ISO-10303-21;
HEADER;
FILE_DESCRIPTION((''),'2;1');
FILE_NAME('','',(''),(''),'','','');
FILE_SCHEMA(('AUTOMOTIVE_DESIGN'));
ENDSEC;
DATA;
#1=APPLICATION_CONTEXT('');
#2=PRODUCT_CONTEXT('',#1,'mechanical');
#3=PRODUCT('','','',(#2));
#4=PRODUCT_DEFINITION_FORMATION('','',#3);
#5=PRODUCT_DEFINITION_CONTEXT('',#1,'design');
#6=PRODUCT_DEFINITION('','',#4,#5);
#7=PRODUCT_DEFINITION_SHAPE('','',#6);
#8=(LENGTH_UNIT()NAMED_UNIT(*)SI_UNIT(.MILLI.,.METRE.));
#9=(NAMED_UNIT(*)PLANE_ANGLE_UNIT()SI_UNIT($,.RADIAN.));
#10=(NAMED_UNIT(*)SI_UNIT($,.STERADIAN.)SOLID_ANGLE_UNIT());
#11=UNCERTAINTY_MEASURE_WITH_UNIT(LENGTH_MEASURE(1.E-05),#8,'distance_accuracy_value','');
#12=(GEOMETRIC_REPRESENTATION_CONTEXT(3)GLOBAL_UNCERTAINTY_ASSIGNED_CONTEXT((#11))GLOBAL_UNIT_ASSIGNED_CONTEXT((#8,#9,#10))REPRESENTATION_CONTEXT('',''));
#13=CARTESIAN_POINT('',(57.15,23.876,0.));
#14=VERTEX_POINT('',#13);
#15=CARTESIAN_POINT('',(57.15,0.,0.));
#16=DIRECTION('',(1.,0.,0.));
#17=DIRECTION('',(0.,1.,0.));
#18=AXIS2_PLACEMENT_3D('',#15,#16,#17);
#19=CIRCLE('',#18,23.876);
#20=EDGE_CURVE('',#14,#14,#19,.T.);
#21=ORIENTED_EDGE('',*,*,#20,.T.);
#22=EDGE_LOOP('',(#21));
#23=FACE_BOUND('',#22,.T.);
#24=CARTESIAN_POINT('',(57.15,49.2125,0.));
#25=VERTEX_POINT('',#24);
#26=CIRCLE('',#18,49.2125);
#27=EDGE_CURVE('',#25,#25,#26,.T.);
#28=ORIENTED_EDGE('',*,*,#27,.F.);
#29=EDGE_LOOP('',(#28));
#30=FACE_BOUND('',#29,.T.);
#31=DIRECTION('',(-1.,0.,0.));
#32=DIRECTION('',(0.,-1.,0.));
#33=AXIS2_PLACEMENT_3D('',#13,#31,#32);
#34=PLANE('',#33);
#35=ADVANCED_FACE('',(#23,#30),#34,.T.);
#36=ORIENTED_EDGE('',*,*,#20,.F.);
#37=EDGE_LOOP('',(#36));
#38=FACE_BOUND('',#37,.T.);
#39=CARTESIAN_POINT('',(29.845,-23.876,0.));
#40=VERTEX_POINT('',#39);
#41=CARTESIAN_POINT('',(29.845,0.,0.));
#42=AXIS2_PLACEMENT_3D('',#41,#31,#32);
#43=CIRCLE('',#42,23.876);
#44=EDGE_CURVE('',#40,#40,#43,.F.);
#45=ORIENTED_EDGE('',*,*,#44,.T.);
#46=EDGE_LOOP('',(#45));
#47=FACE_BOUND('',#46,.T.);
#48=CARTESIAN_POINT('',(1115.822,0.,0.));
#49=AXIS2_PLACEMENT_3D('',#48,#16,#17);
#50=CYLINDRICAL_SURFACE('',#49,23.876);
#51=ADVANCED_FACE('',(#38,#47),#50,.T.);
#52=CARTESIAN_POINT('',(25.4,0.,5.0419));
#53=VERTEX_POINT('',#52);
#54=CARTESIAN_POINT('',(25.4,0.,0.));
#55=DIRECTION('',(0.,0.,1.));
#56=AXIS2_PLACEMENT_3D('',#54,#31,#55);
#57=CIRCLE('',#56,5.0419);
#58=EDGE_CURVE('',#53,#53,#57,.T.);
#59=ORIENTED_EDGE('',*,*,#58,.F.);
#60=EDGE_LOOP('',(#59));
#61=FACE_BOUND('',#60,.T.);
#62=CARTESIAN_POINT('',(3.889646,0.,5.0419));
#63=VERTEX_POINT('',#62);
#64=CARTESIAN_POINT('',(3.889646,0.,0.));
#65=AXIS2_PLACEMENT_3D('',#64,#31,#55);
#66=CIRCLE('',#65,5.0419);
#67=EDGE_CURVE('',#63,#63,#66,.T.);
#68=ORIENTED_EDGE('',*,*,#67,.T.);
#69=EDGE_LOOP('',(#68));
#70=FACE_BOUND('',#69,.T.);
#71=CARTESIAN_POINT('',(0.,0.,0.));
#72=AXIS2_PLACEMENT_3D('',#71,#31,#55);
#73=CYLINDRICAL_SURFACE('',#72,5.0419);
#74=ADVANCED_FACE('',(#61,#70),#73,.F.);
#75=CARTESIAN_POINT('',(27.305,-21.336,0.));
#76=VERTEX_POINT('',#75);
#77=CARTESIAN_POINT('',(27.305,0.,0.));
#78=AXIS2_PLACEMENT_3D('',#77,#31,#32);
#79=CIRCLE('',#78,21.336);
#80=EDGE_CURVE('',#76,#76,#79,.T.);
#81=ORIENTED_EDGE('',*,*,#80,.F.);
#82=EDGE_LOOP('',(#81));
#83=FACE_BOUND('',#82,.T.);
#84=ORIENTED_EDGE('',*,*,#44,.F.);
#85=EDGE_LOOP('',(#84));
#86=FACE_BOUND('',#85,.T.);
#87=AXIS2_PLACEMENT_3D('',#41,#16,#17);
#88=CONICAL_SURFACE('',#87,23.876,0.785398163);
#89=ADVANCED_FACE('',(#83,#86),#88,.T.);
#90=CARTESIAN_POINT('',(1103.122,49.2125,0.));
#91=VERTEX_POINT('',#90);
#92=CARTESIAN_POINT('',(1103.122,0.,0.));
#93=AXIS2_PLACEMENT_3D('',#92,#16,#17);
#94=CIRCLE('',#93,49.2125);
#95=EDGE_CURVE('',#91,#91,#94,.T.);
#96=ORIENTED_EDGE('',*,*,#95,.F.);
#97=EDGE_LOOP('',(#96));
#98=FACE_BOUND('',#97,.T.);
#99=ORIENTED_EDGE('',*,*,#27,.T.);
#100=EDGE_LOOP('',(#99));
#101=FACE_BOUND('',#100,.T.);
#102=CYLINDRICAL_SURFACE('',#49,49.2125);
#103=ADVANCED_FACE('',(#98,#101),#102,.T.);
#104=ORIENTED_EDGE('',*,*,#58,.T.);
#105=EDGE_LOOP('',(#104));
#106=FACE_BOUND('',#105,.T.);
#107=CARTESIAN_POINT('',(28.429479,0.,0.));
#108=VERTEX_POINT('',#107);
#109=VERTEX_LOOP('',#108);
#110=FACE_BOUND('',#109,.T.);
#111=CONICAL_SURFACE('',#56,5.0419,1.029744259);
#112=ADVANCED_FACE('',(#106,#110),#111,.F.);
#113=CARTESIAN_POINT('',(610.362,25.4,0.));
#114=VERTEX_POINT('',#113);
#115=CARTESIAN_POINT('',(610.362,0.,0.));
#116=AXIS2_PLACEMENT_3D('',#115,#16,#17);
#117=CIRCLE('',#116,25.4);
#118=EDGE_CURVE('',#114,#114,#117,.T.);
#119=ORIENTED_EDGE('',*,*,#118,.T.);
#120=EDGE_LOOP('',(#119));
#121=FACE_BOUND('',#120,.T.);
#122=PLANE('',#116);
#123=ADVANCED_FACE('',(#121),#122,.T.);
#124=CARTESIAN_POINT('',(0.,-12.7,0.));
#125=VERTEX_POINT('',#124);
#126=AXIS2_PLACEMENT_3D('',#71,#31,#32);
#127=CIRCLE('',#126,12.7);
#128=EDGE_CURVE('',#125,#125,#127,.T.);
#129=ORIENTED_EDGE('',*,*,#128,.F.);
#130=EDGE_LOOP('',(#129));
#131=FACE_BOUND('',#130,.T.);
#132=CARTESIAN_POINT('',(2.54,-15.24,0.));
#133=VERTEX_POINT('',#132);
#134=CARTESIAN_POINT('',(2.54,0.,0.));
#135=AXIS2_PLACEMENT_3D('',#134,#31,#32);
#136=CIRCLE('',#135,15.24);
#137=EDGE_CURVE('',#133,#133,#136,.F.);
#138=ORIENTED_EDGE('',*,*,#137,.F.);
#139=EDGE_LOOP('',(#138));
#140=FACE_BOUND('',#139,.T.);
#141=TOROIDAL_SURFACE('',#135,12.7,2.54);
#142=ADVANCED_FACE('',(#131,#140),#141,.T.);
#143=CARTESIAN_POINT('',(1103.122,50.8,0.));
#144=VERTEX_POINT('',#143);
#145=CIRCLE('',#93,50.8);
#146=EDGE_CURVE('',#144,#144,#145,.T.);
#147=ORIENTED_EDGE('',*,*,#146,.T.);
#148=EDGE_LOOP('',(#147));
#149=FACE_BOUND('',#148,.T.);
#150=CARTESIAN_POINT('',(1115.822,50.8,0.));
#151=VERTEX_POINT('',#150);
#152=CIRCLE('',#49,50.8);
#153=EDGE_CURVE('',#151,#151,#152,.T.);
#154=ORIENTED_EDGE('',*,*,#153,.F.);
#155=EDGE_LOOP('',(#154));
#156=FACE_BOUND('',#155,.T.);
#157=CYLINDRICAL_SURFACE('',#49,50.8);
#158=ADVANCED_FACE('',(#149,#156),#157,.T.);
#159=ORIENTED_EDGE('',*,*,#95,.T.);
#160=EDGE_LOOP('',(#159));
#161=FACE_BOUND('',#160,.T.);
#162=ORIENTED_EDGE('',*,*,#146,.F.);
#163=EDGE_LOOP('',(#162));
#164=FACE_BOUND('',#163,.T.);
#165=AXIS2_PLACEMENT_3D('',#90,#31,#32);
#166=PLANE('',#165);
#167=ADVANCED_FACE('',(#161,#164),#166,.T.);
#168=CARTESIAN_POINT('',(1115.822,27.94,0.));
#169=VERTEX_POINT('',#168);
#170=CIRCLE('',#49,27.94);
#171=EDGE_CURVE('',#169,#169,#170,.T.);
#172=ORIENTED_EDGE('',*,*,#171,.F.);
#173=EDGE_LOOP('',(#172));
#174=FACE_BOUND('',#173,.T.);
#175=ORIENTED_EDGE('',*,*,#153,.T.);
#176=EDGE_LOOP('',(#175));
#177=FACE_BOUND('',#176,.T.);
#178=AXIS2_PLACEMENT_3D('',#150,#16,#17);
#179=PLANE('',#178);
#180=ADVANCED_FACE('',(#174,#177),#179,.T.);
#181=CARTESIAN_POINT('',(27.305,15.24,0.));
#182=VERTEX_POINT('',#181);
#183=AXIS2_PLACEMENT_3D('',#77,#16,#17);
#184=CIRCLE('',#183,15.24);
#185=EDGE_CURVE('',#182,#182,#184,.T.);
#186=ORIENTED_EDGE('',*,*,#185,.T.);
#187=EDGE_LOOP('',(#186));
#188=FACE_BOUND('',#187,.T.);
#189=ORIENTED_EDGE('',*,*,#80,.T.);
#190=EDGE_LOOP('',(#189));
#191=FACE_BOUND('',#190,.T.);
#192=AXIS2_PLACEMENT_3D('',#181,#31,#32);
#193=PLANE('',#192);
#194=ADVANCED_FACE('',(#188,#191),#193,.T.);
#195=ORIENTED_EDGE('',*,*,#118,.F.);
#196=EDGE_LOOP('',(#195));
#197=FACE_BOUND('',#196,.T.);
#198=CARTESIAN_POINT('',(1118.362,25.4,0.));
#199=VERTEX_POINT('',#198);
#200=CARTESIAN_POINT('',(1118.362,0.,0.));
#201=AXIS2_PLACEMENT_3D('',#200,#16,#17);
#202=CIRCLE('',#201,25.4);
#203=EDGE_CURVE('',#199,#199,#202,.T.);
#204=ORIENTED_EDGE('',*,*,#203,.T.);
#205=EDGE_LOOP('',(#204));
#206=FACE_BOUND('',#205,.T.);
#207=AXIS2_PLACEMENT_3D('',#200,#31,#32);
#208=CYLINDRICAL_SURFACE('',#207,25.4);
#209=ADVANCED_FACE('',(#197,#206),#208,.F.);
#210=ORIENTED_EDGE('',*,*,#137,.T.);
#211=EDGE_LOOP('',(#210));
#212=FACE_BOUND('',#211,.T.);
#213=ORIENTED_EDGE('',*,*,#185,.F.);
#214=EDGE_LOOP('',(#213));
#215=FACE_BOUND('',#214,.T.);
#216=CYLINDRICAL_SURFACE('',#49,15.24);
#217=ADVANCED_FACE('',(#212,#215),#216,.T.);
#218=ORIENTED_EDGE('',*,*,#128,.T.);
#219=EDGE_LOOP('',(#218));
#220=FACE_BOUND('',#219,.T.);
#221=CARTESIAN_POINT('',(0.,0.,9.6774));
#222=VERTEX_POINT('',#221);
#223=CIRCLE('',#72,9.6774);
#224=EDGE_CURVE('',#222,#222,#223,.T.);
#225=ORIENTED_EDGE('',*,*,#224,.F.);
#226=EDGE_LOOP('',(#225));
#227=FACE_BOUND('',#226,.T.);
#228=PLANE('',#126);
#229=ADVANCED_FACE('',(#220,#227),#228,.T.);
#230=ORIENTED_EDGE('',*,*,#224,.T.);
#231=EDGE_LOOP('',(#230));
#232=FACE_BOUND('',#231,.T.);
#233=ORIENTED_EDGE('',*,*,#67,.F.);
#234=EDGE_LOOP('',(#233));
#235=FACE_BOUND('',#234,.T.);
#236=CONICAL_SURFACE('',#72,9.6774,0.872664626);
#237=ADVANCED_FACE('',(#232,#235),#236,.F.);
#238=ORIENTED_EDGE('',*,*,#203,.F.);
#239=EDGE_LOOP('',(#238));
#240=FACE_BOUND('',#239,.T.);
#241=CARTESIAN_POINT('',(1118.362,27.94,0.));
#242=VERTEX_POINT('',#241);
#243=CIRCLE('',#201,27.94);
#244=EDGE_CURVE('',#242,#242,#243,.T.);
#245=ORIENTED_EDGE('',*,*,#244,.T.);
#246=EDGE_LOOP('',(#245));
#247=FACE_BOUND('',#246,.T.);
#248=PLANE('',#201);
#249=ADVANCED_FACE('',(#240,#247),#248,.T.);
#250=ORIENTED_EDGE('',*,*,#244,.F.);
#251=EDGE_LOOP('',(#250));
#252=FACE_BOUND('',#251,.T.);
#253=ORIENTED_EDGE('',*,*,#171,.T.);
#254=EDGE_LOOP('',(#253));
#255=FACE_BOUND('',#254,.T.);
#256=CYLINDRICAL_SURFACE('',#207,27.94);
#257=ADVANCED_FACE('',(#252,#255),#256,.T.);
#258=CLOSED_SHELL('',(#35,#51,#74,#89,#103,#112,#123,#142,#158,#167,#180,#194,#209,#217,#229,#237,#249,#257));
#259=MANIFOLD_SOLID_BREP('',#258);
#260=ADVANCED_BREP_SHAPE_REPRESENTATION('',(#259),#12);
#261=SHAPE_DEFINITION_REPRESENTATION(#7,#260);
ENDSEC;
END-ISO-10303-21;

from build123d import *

# Parameters (mm, degrees)
CSK_FOR_3_8_FLAT_HEAD_MACHINE_SCREW_100_D           = 10.0838
CSK_FOR_3_8_FLAT_HEAD_MACHINE_SCREW_100_DEPTH       = 25.4
CSK_FOR_3_8_FLAT_HEAD_MACHINE_SCREW_100_CSINK_D     = 19.3548
CSK_FOR_3_8_FLAT_HEAD_MACHINE_SCREW_100_CSINK_ANGLE = 100
CSK_FOR_3_8_FLAT_HEAD_MACHINE_SCREW_100_TIP         = 3.029479155
FILLET1_R                                           = 2.54
CHAMFER1_SIZE                                       = 2.54
SKETCH4_R                                           = 27.94
SKETCH4_R_2                                         = 25.4
BOSS_EXTRUDE1_DEPTH                                 = 2.54
CUT_EXTRUDE1_START                                  = -508
SKETCH5_R                                           = 25.4
CUT_EXTRUDE1_DEPTH                                  = 508


with BuildPart() as part:
    # Sketch1 → Revolve1 (revolve)
    with BuildSketch(Plane.XY):
        Polygon((0, 0), (0, 15.24), (27.305, 15.24), (27.305, 23.876), (57.15, 23.876), (57.15, 49.2125), (1103.122, 49.2125), (1103.122, 50.8), (1115.822, 50.8), (1115.822, 0), align=None)
    revolve(axis=Axis((1115.822, 0, 0), (-1, 0, 0)))

    # CSK for 3/8 Flat Head Machine Screw (100)1
    with Locations(Plane.ZY):
        with Locations((0, 0)):
            CounterSinkHole(CSK_FOR_3_8_FLAT_HEAD_MACHINE_SCREW_100_D / 2, CSK_FOR_3_8_FLAT_HEAD_MACHINE_SCREW_100_CSINK_D / 2, depth=CSK_FOR_3_8_FLAT_HEAD_MACHINE_SCREW_100_DEPTH, counter_sink_angle=CSK_FOR_3_8_FLAT_HEAD_MACHINE_SCREW_100_CSINK_ANGLE)
            with Locations((0, 0, -(CSK_FOR_3_8_FLAT_HEAD_MACHINE_SCREW_100_DEPTH + CSK_FOR_3_8_FLAT_HEAD_MACHINE_SCREW_100_TIP / 2))):  # 118° drill point
                Cone(0, CSK_FOR_3_8_FLAT_HEAD_MACHINE_SCREW_100_D / 2, CSK_FOR_3_8_FLAT_HEAD_MACHINE_SCREW_100_TIP, mode=Mode.SUBTRACT)

    # Fillet1
    fillet1_edges = [part.edges().sort_by_distance(p)[0] for p in [
        (0, -15.24, 0),
    ]]
    fillet(fillet1_edges, radius=FILLET1_R)

    # Chamfer1
    chamfer1_edges = [part.edges().sort_by_distance(p)[0] for p in [
        (27.305, -23.876, 0),
    ]]
    chamfer(chamfer1_edges, length=CHAMFER1_SIZE)

    # Sketch4 → Boss-Extrude1 (add)
    with BuildSketch(Plane(origin=(1115.822, 0, 0), x_dir=(0, 0, -1), z_dir=(1, 0, 0))):
        with Locations(Location((0, 0, 0), (0, 0, 90))):
            Circle(SKETCH4_R)
        with Locations(Location((0, 0, 0), (0, 0, 90))):
            Circle(SKETCH4_R_2, mode=Mode.SUBTRACT)
    extrude(amount=BOSS_EXTRUDE1_DEPTH)

    # Sketch5 → Cut-Extrude1 (cut)
    with BuildSketch(Plane(origin=(1118.362, 0, 0), x_dir=(0, 0, -1), z_dir=(1, 0, 0)).offset(CUT_EXTRUDE1_START)):
        with Locations(Location((0, 0, 0), (0, 0, 90))):
            Circle(SKETCH5_R)
    extrude(amount=CUT_EXTRUDE1_DEPTH, mode=Mode.SUBTRACT)


solid = part.part
